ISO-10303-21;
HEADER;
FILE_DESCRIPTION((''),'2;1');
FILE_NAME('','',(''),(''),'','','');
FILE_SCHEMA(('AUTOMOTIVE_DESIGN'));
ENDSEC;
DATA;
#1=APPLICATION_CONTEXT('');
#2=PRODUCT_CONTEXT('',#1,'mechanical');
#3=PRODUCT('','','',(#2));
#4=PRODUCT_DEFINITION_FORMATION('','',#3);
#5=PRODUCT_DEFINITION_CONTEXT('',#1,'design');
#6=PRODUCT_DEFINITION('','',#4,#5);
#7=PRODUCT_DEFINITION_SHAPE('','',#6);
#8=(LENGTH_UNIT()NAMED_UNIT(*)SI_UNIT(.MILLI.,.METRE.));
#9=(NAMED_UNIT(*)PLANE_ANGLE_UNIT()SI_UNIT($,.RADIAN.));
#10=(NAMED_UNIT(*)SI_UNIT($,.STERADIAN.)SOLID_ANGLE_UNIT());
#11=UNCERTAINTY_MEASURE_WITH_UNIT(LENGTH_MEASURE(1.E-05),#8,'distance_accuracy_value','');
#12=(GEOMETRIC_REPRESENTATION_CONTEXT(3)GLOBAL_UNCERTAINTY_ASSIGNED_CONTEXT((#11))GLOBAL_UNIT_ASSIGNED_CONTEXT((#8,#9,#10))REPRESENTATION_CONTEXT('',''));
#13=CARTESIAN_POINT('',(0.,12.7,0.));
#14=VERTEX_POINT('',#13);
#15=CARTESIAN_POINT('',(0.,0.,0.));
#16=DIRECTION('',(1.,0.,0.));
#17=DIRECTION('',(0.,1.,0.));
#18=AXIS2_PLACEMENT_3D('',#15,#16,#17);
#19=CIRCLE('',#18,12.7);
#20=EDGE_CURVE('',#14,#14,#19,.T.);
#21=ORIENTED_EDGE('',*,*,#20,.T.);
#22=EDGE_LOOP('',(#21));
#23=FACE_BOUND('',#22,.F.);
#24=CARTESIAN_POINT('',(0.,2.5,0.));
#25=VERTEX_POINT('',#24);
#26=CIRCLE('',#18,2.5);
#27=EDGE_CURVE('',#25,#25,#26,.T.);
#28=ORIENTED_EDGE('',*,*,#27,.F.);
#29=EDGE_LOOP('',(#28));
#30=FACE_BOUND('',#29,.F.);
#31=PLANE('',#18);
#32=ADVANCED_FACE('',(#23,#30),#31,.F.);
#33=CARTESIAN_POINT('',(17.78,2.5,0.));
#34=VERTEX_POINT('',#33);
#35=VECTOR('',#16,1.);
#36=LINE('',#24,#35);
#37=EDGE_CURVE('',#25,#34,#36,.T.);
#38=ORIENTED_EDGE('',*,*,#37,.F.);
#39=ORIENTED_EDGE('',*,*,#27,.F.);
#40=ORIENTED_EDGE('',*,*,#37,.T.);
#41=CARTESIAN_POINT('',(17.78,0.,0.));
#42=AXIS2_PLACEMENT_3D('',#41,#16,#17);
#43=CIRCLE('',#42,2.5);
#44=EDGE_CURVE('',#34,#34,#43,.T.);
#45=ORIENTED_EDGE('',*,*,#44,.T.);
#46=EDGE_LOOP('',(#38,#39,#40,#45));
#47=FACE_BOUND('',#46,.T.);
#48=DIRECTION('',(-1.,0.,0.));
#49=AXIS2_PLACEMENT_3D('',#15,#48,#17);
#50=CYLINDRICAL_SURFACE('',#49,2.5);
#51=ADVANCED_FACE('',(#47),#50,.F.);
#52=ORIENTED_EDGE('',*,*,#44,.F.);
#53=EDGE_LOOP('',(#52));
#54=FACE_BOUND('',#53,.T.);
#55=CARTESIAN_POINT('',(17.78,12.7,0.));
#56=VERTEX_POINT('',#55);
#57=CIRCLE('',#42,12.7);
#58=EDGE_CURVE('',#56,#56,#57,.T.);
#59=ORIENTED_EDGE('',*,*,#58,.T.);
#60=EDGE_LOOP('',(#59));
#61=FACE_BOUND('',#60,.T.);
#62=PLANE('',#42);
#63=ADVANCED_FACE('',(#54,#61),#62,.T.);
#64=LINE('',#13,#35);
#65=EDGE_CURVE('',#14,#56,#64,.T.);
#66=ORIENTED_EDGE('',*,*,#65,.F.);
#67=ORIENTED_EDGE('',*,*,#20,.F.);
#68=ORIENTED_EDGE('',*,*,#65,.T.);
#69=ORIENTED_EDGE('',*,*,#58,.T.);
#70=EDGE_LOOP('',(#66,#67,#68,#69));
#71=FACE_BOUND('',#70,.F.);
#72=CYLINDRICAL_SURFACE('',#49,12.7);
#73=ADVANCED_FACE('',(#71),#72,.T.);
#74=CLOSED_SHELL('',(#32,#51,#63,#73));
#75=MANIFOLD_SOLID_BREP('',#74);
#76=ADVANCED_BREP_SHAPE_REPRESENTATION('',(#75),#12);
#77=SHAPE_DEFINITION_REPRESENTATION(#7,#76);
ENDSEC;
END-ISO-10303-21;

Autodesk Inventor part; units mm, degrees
ref_plane "YZ Plane" through (0, 0, 0) normal (1, 0, 0) x (0, 1, 0)
ref_plane "XZ Plane" through (0, 0, 0) normal (0, 1, 0) x (-1, 0, 0)
ref_plane "XY Plane" through (0, 0, 0) normal (0, 0, 1) x (1, 0, 0)
sketch "Sketch1" plane through (0, 0, 0) normal (1, 0, 0) x (0, 1, 0)
  circle A0 centre (0, 0) radius 2.5
  circle A1 centre (0, 0) radius 12.7
  dimension "d0" = 5
  dimension "d1" = 25.4
extrude "Extrusion1" add sketch "Sketch1" along normal blind 17.78
thread "Thread1" size "M1x0.25" class "6H" standard "ISO Metric profile" full length
properties part number "roue denté 3"
